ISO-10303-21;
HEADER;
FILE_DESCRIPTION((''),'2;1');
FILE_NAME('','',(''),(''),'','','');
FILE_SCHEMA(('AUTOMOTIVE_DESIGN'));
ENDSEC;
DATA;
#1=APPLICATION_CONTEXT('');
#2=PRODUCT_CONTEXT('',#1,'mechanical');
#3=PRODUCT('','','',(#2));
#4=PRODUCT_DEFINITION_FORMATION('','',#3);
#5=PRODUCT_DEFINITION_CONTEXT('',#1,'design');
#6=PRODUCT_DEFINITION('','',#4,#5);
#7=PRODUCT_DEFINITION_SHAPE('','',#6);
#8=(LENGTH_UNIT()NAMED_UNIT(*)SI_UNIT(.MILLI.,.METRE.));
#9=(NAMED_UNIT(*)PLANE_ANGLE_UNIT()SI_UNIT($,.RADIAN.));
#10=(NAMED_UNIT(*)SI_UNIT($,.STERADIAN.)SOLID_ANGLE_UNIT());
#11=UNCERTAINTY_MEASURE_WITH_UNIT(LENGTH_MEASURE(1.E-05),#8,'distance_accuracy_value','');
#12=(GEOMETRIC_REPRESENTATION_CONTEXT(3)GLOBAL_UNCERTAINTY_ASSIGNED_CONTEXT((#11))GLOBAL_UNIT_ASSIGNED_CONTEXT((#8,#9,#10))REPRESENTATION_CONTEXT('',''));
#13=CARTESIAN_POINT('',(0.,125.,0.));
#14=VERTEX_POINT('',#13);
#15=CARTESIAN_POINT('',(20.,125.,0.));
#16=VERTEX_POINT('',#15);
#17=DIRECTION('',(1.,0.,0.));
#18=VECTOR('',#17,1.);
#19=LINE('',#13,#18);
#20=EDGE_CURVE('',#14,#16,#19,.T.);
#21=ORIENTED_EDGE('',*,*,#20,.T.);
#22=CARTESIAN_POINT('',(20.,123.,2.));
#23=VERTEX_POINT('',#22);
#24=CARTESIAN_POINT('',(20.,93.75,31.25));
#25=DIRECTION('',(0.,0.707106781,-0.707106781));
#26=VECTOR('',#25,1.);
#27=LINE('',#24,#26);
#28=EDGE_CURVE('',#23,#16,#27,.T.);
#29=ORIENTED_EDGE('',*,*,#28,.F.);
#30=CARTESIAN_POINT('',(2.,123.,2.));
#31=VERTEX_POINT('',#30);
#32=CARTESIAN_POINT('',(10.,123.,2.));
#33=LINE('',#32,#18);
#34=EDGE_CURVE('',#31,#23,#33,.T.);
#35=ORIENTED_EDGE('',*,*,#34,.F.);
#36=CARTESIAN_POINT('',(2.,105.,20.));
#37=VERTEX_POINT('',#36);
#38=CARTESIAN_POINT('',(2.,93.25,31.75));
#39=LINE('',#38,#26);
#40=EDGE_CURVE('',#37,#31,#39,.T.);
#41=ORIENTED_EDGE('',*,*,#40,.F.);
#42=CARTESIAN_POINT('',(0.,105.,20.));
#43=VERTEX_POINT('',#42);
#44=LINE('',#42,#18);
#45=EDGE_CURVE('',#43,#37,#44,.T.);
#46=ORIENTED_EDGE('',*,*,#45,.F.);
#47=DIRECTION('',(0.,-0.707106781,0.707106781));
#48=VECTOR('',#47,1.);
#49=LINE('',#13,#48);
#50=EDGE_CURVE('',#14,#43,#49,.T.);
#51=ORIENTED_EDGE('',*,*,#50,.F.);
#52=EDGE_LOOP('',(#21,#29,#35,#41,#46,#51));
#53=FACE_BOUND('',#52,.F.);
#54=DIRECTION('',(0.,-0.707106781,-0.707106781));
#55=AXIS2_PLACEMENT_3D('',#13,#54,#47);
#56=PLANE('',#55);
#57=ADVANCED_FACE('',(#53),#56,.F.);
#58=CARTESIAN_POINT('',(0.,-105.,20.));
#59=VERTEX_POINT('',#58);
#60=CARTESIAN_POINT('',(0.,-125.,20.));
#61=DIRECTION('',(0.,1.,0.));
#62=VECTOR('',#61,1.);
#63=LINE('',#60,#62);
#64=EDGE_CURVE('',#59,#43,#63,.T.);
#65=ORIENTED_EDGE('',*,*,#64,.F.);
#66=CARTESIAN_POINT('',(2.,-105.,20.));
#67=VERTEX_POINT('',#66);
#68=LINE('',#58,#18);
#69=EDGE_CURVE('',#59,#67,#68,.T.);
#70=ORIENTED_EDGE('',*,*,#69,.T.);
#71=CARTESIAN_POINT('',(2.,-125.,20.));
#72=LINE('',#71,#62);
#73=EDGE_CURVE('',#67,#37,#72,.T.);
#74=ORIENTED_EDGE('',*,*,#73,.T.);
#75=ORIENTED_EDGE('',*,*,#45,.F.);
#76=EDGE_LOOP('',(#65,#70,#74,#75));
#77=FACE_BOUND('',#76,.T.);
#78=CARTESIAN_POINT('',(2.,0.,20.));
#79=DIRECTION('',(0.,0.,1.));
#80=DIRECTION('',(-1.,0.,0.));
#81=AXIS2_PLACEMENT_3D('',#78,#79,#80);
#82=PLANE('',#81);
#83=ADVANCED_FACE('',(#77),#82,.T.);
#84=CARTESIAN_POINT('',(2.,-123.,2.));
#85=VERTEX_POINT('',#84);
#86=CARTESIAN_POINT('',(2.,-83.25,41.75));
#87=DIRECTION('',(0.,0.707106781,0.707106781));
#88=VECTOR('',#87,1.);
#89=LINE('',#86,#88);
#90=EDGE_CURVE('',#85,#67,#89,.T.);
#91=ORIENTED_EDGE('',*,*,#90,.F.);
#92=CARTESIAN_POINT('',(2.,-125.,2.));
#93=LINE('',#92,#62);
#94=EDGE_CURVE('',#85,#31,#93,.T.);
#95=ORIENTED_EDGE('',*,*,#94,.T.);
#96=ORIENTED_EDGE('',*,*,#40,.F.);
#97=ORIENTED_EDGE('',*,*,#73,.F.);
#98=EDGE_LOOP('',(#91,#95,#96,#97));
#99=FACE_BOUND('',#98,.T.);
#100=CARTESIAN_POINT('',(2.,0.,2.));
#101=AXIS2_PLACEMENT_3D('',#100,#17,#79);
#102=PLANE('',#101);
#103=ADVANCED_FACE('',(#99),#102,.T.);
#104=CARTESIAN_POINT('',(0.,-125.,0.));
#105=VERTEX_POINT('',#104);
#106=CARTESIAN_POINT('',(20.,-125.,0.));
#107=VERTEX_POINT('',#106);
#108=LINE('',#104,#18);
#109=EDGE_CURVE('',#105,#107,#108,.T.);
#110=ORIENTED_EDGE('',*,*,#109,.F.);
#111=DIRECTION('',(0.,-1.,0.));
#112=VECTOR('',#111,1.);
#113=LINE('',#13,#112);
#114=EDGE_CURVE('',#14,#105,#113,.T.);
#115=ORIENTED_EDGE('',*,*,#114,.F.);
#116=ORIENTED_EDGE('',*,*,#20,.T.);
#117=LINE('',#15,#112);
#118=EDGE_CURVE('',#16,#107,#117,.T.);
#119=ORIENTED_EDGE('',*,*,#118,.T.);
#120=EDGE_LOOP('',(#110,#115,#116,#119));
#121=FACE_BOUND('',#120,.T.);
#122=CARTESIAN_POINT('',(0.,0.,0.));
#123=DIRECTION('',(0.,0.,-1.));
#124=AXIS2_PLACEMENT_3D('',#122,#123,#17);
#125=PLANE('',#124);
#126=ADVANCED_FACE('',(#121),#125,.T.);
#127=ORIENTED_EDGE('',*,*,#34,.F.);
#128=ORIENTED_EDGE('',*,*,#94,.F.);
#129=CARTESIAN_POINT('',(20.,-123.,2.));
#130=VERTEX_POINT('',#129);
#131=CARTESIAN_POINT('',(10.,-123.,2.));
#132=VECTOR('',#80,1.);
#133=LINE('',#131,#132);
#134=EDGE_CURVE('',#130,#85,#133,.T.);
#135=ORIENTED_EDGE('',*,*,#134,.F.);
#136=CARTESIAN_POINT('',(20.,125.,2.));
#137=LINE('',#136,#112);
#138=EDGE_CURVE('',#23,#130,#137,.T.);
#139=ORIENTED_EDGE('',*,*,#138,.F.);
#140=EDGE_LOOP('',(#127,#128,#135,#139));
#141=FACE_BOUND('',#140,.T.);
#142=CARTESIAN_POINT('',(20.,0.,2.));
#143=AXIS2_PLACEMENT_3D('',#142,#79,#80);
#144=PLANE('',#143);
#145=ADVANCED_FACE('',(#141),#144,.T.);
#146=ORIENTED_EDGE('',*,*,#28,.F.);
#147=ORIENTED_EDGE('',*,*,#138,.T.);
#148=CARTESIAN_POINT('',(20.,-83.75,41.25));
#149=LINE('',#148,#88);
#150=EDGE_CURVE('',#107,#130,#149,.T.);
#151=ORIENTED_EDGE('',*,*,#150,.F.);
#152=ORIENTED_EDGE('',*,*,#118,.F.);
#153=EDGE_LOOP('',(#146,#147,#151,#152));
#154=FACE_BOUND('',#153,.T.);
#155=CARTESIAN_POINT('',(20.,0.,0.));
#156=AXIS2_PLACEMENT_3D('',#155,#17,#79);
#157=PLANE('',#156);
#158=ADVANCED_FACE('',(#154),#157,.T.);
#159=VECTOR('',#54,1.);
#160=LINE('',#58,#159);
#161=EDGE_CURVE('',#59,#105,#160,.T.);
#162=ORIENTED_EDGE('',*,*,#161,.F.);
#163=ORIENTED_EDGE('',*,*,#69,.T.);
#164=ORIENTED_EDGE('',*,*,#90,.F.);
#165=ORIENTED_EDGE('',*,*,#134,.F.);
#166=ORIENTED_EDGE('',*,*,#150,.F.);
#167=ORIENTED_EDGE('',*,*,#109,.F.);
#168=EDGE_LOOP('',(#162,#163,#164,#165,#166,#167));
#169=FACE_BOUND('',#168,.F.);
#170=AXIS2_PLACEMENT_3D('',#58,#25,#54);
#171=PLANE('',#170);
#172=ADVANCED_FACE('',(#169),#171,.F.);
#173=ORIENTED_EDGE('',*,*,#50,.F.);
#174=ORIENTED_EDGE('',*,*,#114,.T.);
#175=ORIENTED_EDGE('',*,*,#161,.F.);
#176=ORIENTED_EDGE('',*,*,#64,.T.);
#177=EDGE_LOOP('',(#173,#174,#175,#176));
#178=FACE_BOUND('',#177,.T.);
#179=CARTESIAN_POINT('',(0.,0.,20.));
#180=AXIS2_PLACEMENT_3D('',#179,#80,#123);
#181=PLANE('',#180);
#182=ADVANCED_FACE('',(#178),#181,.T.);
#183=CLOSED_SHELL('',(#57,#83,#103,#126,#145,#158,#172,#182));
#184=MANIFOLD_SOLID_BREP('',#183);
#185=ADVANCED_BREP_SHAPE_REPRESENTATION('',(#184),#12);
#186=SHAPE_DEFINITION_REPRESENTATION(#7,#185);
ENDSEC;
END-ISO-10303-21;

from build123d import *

# Parameters (mm, degrees)
F1_DEPTH = 125
F3_DEPTH = 20.001


with BuildPart() as f1:
    # F0 (on Front) → F1 (new body, symmetric)
    with BuildSketch(Plane.XZ):
        Polygon((0, 20), (0, 0), (20, 0), (20, 2), (2, 2), (2, 20), align=None)
    extrude(amount=F1_DEPTH, both=True)

    # F2 (on face) → F3 (cut, through all)
    with BuildSketch(Plane(origin=(0, 0, 0), x_dir=(0, -1, 0), z_dir=(-1, 0, 0))):
        Polygon((-125, 20), (-125, 0), (-105, 20), align=None)
        Polygon((125, 0), (125, 20), (105, 20), align=None)
    extrude(amount=-F3_DEPTH, mode=Mode.SUBTRACT)


with BuildPart() as f4_1:
    # F4: copy of F1
    add(f1.part)


solid = f4_1.part
